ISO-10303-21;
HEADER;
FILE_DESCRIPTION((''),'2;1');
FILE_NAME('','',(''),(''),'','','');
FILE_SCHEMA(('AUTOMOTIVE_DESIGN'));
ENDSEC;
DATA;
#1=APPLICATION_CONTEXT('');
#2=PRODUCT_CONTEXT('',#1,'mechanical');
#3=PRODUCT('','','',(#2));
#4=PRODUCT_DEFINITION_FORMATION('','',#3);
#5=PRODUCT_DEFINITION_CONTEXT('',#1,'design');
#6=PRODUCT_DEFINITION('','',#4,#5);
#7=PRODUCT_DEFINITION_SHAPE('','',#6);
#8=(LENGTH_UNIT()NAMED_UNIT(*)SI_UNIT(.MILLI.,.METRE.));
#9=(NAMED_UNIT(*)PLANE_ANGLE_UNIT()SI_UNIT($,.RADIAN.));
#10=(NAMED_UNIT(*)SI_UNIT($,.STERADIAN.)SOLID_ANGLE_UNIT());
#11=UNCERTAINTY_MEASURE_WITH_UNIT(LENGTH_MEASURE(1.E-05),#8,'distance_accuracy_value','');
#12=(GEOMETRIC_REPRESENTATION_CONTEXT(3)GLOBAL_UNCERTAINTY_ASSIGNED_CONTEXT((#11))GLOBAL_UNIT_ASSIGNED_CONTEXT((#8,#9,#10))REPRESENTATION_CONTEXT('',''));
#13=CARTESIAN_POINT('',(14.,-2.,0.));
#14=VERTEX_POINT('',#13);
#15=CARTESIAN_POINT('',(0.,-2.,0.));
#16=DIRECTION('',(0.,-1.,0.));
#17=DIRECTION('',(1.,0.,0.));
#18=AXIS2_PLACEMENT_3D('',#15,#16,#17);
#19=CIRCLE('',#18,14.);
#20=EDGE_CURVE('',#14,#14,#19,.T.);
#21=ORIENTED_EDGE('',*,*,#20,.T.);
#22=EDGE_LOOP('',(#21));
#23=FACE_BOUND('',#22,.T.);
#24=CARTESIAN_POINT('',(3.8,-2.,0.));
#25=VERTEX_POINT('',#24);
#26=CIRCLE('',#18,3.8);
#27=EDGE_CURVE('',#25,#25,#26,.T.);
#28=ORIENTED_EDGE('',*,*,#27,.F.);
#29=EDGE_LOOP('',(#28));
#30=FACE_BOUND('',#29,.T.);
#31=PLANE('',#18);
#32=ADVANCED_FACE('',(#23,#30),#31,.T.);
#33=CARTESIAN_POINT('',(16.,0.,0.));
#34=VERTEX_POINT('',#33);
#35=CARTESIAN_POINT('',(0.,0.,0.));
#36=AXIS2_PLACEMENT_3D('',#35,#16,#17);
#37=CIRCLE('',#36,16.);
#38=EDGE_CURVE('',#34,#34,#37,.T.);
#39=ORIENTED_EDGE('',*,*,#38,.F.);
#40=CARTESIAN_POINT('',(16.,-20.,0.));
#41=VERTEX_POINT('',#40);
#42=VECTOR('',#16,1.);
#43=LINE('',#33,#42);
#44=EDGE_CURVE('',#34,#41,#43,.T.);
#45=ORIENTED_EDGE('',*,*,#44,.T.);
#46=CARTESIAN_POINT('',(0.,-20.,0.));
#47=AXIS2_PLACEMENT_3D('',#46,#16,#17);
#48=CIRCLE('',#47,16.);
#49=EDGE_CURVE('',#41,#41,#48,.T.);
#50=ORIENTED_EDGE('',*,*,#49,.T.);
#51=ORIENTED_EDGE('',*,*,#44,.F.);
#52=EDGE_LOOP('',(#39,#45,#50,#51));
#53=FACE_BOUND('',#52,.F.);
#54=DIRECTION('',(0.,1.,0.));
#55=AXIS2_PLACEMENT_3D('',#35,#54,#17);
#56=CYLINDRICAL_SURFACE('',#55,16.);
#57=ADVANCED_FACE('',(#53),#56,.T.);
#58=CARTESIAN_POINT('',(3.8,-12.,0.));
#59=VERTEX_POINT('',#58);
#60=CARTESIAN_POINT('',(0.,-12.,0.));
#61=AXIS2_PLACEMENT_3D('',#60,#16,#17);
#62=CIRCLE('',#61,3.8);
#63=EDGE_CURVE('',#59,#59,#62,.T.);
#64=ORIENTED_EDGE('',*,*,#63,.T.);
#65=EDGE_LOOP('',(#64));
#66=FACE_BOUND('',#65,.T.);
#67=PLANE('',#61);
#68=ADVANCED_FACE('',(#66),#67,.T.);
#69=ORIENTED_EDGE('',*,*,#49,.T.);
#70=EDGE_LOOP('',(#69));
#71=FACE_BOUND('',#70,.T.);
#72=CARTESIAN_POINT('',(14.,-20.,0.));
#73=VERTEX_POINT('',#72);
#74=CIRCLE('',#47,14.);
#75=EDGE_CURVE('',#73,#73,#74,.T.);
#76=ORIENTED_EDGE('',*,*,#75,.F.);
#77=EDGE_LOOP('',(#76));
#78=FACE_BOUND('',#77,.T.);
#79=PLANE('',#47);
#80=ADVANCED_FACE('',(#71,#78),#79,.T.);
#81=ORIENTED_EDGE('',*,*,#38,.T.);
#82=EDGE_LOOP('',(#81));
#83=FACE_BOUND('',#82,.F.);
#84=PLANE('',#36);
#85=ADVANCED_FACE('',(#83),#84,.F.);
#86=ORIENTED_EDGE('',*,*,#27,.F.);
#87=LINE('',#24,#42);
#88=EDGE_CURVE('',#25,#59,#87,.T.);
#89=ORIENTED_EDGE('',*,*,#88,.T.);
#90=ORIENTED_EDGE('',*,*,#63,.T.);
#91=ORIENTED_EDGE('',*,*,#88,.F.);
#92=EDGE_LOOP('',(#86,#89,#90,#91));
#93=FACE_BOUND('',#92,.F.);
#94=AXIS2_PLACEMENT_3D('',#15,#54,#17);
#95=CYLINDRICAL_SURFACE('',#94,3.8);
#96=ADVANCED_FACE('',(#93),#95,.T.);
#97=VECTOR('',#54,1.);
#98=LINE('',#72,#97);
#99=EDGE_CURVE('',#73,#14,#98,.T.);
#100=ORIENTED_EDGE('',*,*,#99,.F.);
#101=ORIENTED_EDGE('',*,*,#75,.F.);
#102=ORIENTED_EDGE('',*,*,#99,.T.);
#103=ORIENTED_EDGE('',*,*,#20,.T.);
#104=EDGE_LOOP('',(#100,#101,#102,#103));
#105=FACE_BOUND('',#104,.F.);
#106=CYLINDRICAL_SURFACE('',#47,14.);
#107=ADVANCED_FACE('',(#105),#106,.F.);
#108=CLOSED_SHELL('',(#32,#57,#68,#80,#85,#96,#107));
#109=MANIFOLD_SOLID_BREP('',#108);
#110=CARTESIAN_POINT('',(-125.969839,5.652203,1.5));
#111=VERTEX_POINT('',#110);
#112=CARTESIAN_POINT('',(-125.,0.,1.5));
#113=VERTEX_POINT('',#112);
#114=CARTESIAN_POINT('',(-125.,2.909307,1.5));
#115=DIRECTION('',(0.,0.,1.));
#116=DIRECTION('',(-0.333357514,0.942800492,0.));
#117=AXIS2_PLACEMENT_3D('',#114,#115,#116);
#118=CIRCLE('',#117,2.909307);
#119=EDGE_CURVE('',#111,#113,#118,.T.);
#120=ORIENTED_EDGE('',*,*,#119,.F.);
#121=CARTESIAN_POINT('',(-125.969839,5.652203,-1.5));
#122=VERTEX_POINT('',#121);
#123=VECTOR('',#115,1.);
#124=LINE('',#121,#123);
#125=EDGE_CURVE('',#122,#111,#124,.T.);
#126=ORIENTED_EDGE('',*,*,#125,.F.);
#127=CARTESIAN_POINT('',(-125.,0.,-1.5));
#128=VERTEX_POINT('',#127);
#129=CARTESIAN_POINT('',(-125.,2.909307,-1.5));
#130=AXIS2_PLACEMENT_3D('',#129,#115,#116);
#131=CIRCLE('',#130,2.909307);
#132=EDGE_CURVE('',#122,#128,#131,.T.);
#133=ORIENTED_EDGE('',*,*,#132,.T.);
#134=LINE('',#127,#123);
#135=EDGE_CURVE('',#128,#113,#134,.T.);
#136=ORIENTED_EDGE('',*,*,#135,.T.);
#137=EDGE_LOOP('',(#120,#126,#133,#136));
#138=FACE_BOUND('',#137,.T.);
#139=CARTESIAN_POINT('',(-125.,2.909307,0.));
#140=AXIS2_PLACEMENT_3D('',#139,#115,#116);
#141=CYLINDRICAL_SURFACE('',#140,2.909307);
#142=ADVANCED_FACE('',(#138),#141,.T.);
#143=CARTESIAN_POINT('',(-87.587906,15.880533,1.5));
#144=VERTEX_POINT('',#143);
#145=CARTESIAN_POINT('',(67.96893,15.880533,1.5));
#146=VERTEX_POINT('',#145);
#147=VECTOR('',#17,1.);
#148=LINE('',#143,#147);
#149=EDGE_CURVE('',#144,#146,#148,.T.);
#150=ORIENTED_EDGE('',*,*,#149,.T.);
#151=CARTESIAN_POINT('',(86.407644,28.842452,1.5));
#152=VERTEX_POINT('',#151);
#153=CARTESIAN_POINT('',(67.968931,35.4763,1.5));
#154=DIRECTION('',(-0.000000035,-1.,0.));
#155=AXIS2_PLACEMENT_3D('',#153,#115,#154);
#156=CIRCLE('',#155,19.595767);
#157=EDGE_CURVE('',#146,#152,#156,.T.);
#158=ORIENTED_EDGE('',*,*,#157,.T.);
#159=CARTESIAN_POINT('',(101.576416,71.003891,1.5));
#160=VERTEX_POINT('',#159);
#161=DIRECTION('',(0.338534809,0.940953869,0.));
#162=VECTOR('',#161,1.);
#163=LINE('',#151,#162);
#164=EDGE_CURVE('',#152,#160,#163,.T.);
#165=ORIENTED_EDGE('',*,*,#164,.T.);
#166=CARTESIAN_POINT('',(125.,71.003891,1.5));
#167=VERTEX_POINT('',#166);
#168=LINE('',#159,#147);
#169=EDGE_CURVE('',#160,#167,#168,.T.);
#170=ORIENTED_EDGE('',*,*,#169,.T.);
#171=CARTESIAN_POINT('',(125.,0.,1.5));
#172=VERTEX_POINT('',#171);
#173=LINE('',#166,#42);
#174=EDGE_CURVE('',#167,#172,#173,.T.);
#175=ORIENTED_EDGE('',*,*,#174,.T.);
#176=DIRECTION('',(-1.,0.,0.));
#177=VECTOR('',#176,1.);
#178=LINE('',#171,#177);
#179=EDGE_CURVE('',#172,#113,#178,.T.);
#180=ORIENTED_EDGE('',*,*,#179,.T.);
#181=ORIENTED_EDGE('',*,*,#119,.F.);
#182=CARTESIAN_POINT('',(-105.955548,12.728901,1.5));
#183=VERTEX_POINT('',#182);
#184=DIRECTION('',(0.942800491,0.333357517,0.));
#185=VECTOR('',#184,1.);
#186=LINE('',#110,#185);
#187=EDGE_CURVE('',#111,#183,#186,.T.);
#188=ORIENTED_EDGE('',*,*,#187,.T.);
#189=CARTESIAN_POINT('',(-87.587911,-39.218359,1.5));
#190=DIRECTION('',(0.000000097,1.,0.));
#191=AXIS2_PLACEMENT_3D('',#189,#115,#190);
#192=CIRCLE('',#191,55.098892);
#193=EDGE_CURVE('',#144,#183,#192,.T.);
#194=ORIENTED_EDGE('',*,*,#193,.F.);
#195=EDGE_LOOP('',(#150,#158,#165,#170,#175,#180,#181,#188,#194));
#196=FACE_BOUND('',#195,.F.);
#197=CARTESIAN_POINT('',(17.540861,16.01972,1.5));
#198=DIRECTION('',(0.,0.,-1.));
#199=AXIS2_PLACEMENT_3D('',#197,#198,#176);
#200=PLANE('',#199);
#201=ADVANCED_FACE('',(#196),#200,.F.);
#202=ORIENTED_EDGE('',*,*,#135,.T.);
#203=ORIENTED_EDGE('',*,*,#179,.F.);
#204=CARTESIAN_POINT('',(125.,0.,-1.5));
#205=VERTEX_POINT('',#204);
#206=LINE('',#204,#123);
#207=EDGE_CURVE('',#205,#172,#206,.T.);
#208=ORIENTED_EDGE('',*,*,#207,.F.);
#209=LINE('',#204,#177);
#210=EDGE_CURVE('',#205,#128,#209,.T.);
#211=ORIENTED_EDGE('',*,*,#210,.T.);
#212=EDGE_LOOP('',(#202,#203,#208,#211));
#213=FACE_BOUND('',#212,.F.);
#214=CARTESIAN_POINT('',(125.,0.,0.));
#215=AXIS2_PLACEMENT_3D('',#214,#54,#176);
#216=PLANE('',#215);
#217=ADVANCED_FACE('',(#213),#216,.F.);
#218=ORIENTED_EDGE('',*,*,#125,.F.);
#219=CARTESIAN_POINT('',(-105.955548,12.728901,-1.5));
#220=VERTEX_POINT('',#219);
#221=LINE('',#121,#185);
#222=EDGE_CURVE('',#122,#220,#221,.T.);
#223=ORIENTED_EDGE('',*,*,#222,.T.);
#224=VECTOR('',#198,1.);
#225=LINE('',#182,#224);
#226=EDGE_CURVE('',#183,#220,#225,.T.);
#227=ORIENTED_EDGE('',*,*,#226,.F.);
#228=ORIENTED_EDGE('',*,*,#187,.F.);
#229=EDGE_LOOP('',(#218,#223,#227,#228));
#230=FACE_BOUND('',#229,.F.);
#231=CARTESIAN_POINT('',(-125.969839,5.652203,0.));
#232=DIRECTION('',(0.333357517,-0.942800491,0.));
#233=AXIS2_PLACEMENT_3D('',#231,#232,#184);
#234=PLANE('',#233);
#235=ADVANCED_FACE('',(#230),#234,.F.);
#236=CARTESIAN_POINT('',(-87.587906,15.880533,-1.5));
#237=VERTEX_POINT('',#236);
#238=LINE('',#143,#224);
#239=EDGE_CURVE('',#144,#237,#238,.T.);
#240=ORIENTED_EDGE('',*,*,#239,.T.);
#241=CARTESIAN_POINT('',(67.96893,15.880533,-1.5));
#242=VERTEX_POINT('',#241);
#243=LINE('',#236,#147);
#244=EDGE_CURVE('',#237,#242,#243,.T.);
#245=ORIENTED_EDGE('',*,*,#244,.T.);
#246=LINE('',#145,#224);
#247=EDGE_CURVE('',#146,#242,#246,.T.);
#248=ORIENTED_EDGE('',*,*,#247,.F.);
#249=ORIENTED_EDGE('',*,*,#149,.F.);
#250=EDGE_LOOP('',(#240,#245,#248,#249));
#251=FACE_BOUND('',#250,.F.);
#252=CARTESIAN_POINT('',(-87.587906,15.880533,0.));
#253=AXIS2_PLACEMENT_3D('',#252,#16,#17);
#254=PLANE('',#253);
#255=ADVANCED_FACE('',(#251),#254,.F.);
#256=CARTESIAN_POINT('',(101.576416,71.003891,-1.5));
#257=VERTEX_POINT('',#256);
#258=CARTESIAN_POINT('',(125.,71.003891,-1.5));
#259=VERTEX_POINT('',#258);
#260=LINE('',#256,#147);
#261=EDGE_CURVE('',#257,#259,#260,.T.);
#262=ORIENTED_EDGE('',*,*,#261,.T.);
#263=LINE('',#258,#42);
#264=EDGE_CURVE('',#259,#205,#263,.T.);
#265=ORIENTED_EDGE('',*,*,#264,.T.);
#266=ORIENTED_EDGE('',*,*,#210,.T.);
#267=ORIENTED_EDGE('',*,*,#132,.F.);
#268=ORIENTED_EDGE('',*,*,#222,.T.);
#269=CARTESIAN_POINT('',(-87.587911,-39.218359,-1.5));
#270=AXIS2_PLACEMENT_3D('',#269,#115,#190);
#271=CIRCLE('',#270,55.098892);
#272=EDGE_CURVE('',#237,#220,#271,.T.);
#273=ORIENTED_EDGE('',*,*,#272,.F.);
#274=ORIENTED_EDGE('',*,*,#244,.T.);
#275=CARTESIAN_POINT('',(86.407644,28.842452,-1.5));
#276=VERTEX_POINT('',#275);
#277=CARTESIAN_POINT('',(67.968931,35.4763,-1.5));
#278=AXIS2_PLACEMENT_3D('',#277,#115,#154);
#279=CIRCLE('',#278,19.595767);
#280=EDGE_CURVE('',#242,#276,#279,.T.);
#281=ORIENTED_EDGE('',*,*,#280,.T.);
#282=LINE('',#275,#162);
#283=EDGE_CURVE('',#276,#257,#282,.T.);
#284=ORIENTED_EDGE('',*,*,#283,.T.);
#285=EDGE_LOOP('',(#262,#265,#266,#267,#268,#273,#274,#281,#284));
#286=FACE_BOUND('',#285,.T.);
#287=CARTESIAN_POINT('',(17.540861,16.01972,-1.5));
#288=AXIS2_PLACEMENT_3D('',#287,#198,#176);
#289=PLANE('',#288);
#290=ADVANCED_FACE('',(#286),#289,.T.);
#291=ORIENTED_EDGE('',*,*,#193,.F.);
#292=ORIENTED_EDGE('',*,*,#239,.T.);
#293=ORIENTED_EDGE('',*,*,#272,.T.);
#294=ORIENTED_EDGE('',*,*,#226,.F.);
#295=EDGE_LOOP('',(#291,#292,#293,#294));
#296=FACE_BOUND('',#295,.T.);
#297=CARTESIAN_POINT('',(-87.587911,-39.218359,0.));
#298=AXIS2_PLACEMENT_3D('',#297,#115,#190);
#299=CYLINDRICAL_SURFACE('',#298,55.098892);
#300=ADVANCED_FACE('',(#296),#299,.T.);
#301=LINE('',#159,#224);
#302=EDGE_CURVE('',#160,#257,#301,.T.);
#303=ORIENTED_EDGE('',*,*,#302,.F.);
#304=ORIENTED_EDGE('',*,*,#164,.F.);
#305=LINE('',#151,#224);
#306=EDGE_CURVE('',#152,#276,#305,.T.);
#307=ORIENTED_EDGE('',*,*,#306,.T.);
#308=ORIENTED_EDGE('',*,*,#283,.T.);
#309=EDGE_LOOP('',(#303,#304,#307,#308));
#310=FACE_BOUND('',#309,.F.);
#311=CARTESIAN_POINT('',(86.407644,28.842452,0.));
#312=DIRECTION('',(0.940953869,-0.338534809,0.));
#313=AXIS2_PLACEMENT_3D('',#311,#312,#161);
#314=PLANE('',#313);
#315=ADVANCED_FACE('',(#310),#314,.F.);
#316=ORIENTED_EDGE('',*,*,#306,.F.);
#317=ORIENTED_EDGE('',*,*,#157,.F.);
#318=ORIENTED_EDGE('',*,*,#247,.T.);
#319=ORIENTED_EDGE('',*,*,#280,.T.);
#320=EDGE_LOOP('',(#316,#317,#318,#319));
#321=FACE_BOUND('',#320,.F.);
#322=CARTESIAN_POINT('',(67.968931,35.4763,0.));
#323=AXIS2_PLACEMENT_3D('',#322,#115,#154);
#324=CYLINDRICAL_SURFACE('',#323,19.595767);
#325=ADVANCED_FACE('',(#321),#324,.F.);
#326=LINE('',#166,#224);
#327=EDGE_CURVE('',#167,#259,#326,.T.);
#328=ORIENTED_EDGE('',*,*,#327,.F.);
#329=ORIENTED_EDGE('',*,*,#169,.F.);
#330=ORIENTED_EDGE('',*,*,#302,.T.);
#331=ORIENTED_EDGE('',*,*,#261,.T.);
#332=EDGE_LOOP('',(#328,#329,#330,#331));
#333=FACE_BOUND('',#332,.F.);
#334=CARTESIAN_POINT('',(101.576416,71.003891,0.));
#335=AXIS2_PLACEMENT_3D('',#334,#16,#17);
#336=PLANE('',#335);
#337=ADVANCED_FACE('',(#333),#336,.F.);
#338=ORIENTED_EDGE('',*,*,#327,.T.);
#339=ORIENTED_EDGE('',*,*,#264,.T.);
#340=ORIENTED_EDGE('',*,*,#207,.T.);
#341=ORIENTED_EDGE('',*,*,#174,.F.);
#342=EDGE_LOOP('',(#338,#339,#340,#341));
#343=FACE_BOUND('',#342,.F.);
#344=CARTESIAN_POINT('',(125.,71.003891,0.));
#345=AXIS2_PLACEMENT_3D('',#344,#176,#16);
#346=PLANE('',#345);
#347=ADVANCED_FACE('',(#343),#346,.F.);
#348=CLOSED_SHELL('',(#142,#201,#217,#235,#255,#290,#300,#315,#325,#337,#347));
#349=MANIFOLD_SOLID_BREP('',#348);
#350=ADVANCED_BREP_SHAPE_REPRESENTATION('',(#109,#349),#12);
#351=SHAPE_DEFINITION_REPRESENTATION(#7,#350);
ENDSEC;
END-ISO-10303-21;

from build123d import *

# Parameters (mm, degrees)
PAD002_DEPTH    = 1.5
COPYSKETCH005_R = 16
PAD_DEPTH       = 20
COPYSKETCH006_R = 14
POCKET_DEPTH    = 18
COPYSKETCH007_R = 3.8
PAD001_DEPTH    = 10


with BuildPart() as body001:
    # CopySketch004 → Pad002 (new body, symmetric)
    with BuildSketch(Plane.XY):
        with BuildLine():
            Line((-125.969839, 5.652203), (-105.955548, 12.728901))
            ThreePointArc((-87.587906, 15.880533), (-96.90594, 15.08691), (-105.955548, 12.728901))
            Line((-87.587906, 15.880533), (-56.304531, 15.880533))
            Line((-56.304531, 15.880533), (67.96893, 15.880533))
            ThreePointArc((67.96893, 15.880533), (79.23833, 19.445245), (86.407644, 28.842452))
            Line((86.407644, 28.842452), (101.576416, 71.003891))
            Line((101.576416, 71.003891), (125, 71.003891))
            Line((125, 71.003891), (125, 0))
            Line((125, 0), (-125, 0))
            ThreePointArc((-125.969839, 5.652203), (-127.867402, 2.4173), (-125, 0))
        make_face()
    extrude(amount=PAD002_DEPTH, both=True)


with BuildPart() as body002:
    # CopySketch005 → Pad (new body)
    with BuildSketch(Plane.XZ):
        Circle(COPYSKETCH005_R)
    extrude(amount=PAD_DEPTH)

    # CopySketch006 → Pocket (cut)
    with BuildSketch(Plane.XZ.offset(20)):
        Circle(COPYSKETCH006_R)
    extrude(amount=-POCKET_DEPTH, mode=Mode.SUBTRACT)

    # CopySketch007 → Pad001 (join)
    with BuildSketch(Plane.XZ.offset(2)):
        Circle(COPYSKETCH007_R)
    extrude(amount=PAD001_DEPTH)


solid = Compound([body001.part, body002.part])
